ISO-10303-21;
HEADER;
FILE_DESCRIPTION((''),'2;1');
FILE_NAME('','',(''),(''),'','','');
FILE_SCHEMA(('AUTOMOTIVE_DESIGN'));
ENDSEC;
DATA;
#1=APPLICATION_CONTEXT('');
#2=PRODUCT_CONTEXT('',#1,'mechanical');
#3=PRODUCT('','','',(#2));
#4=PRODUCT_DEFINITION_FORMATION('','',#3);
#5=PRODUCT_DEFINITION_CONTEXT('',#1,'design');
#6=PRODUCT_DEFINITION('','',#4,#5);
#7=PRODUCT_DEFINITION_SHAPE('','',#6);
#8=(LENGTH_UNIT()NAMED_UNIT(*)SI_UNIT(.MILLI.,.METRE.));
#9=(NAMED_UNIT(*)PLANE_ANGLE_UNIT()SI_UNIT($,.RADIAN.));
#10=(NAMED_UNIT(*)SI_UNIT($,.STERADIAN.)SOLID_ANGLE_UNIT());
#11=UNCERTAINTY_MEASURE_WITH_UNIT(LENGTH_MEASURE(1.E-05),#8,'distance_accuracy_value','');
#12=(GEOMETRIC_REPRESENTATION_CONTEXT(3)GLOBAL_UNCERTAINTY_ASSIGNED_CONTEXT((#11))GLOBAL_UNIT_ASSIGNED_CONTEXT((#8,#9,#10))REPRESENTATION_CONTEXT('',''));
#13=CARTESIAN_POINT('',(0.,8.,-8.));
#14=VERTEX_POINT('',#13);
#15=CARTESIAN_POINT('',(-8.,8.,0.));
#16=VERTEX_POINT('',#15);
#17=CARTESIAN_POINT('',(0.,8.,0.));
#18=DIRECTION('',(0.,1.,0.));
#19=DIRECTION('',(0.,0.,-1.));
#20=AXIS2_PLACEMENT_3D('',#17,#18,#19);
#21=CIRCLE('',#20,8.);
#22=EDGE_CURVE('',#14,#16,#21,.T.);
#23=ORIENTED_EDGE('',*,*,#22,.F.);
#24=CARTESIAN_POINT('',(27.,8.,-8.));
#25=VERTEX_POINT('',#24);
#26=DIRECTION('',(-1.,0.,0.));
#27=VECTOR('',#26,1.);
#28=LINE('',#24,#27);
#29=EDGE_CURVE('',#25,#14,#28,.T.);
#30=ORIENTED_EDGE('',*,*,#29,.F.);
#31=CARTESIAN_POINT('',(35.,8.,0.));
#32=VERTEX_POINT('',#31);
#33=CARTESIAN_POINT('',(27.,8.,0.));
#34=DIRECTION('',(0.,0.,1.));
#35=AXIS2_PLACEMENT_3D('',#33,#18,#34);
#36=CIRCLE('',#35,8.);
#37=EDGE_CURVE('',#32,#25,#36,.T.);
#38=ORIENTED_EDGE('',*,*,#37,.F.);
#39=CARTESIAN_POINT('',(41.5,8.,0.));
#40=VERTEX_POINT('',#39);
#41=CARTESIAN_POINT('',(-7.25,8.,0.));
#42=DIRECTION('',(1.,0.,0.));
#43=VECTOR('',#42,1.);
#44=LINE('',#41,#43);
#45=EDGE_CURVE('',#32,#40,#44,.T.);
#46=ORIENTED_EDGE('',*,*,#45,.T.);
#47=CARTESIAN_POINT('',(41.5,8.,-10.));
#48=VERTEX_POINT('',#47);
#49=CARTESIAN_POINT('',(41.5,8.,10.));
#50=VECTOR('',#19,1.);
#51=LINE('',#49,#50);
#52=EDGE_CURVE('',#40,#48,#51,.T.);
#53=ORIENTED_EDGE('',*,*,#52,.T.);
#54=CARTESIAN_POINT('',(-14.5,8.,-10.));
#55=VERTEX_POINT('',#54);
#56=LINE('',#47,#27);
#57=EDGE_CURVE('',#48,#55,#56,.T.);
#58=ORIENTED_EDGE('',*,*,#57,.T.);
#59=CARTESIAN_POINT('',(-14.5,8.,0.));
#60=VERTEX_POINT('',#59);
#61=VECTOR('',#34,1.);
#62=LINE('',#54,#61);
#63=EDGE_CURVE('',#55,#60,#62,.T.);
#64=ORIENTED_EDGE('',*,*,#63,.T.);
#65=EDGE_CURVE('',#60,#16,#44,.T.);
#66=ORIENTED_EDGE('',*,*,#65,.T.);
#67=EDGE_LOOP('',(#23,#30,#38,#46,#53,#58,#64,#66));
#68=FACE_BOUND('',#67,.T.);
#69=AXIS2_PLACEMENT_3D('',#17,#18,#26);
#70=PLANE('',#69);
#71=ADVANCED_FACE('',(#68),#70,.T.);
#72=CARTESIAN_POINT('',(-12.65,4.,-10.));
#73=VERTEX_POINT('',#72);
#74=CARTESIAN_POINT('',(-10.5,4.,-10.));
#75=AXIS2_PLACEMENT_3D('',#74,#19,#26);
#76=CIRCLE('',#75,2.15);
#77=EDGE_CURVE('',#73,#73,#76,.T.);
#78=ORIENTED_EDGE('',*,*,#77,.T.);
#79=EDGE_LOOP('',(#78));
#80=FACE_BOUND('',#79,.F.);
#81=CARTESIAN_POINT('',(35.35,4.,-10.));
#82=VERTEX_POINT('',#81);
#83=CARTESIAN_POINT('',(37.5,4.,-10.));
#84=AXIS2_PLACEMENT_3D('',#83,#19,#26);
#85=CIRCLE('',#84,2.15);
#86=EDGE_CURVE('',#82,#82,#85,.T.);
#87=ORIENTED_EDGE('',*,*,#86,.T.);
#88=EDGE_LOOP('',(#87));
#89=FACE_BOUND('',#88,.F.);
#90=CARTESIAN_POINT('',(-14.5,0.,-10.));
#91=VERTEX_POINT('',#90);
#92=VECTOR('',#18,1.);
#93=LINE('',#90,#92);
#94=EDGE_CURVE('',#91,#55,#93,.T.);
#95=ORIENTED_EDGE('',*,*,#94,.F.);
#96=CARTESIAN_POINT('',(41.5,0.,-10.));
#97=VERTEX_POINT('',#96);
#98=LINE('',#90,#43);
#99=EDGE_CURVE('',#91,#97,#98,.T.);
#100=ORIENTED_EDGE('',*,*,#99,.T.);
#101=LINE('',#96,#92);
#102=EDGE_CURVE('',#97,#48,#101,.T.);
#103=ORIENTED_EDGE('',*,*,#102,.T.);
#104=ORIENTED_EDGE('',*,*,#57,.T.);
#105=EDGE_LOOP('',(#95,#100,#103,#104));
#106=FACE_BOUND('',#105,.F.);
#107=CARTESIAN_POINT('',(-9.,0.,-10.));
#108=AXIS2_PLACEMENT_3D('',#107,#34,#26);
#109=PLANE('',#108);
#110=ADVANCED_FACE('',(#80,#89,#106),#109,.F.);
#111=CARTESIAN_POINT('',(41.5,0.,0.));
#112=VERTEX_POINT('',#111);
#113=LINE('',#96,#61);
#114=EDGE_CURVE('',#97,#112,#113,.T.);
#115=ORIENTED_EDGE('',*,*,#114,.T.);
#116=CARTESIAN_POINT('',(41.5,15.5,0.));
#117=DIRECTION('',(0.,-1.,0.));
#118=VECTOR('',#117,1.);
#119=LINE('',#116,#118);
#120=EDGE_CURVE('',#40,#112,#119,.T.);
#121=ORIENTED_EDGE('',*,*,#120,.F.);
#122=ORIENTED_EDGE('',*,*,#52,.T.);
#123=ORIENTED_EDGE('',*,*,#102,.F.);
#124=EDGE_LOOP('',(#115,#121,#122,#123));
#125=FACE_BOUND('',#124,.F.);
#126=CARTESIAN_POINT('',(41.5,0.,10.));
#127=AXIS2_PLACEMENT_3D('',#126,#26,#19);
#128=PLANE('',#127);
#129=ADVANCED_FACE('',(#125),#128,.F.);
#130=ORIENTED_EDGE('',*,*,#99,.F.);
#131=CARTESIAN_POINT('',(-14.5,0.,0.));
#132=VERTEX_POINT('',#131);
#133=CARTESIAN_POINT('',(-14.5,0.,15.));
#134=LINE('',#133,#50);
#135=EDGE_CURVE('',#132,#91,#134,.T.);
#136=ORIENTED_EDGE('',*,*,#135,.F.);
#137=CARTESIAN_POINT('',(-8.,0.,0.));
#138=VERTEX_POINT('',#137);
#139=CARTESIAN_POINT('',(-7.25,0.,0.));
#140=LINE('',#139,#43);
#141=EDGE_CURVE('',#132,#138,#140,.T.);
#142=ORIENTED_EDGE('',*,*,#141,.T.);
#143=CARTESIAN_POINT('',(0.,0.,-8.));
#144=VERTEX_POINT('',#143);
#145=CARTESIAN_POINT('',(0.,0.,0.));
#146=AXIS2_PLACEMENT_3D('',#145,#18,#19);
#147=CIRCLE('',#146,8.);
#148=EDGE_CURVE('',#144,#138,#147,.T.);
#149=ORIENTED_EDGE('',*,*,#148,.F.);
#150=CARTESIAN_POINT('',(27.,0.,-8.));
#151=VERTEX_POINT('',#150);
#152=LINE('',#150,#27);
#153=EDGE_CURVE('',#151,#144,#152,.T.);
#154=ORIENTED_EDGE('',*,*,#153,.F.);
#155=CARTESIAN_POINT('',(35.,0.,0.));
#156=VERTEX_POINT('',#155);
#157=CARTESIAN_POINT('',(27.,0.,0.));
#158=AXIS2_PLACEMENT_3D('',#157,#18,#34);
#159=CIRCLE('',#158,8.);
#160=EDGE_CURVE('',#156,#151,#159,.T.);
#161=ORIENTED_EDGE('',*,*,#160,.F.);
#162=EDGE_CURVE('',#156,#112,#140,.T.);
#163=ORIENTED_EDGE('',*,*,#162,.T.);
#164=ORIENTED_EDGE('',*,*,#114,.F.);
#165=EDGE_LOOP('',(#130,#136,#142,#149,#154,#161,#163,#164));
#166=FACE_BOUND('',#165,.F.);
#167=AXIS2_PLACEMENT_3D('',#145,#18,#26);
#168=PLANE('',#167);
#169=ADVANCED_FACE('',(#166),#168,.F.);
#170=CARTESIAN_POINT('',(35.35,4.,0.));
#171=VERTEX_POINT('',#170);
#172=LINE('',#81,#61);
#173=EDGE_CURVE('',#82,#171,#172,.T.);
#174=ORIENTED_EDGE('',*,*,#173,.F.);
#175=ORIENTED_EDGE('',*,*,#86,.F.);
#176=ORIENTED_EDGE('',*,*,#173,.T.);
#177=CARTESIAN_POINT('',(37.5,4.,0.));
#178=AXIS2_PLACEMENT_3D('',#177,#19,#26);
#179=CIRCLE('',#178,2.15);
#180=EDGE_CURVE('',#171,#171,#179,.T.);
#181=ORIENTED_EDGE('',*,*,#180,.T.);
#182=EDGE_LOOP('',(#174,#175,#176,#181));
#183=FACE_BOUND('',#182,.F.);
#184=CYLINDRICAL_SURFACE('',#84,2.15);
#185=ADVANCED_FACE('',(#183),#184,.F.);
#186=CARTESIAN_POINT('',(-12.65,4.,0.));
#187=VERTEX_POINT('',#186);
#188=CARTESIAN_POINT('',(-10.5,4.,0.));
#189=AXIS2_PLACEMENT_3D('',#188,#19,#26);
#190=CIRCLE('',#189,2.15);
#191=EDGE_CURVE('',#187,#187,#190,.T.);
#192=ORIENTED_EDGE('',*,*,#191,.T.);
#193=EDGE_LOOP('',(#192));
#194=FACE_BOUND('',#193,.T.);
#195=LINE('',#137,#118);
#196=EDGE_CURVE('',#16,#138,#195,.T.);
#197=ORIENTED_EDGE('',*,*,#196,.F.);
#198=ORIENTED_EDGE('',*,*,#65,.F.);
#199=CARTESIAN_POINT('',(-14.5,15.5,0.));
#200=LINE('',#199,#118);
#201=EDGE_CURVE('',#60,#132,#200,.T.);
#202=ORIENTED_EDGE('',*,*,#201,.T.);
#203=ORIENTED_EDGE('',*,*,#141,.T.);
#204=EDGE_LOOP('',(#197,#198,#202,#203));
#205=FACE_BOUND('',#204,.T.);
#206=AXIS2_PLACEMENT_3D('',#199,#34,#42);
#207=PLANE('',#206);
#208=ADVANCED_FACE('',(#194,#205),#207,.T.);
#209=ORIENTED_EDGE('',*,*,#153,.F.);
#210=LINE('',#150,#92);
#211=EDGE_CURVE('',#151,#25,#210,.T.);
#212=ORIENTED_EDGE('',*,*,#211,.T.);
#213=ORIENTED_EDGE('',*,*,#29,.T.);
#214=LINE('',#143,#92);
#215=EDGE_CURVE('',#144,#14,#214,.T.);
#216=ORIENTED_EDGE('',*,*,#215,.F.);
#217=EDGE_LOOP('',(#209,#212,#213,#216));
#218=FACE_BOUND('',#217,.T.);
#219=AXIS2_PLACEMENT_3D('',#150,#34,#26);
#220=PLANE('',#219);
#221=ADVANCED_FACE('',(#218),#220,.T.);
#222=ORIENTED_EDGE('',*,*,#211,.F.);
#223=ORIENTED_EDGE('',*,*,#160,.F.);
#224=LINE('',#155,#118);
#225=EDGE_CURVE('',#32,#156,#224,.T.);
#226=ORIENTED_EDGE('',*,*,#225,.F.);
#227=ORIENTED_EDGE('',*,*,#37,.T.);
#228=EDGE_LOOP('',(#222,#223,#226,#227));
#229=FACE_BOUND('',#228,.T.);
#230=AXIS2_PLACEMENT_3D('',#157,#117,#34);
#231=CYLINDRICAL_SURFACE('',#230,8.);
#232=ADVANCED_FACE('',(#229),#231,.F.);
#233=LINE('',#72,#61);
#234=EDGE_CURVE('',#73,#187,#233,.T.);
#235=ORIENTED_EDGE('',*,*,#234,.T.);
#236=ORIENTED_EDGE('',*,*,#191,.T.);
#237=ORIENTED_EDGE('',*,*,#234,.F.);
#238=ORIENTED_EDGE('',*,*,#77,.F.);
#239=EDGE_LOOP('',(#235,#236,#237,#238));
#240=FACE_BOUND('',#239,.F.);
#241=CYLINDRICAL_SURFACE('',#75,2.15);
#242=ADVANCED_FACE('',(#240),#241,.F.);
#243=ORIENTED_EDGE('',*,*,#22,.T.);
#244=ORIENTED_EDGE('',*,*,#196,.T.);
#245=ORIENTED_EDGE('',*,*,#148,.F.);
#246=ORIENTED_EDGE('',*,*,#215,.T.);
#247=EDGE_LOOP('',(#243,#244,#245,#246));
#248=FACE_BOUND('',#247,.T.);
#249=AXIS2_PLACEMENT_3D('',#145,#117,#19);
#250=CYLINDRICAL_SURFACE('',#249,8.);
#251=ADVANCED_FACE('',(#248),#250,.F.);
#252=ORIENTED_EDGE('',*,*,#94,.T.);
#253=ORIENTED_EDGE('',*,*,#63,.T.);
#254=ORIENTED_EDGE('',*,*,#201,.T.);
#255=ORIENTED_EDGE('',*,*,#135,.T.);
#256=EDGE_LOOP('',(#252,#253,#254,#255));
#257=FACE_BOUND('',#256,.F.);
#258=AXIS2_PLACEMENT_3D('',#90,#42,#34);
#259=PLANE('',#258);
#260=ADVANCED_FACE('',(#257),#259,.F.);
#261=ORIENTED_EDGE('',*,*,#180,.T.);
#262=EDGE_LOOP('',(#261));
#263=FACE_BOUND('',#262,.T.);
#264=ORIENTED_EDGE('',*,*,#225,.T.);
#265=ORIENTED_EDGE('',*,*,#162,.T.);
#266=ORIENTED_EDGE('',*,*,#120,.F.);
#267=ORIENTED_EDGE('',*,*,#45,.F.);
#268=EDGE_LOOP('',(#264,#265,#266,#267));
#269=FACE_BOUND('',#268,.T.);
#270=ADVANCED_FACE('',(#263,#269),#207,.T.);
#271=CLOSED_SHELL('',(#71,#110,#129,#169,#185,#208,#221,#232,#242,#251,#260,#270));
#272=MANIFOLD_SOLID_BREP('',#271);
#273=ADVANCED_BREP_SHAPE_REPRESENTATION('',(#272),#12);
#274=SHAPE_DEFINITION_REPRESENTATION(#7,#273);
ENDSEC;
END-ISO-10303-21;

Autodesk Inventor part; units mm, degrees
ref_plane "YZ Plane" through (0, 0, 0) normal (1, 0, 0) x (0, 1, 0)
ref_plane "XZ Plane" through (0, 0, 0) normal (0, 1, 0) x (-1, 0, 0)
ref_plane "XY Plane" through (0, 0, 0) normal (0, 0, 1) x (1, 0, 0)
sketch "Sketch1" plane through (0, 0, 0) normal (0, 1, 0) x (-1, 0, 0)
  line L0 (0, 0) -> (-27, 0) construction
  line L1 (-27, -8) -> (0, -8)
  arc A0 (0, -8) -> (0, 8) centre (0, 0) ccw
  arc A1 (-27, 8) -> (-27, -8) centre (-27, 0) ccw
  line L2 (14.5, 10) -> (-41.5, 10)
  line L3 (-41.5, 10) -> (-41.5, -10)
  line L4 (-41.5, -10) -> (14.5, -10)
  line L5 (14.5, -10) -> (14.5, 10)
  line L6 (14.5, 10) -> (-41.5, -10) construction
  line L7 (-41.5, 10) -> (14.5, -10) construction
  line L8 (14.5, 10) -> (-41.5, 10)
  line L9 (-41.5, 10) -> (-41.5, 15)
  line L10 (-41.5, 15) -> (14.5, 15)
  line L11 (14.5, 15) -> (14.5, 10)
  arc A2 (0, -8) -> (-5.3358, 5.9607) centre (0, 0) ccw
  arc A3 (-21.6642, 5.9607) -> (-27, -8) centre (-27, 0) ccw
  line L12 (9, -10) -> (-36, -10)
  line L13 (-36, -10) -> (-36, 10) construction
  line L14 (-36, 10) -> (9, 10)
  line L15 (9, 10) -> (9, -10) construction
  line L16 (9, -10) -> (-36, 10) construction
  line L17 (-36, -10) -> (9, 10) construction
  line L18 (9, 10) -> (-6, 10)
  line L19 (-6, 10) -> (-6, 5.9607)
  line L20 (-36, 10) -> (-21, 10)
  line L21 (-21, 10) -> (-21, 5.9607)
  line L22 (-5.3358, 5.9607) -> (-21.6642, 5.9607) construction
  line L23 (-21, 5.9607) -> (-21.6642, 5.9607)
  line L24 (-6, 5.9607) -> (-5.3358, 5.9607)
  point P0 (-13.5, 0)
  point P1 (-27, 8)
  point P2 (0, 8)
  dimension "d0" = 27
  dimension "d1" = 16
  dimension "d2" = 56
  dimension "d3" = 20
  dimension "d4" = 5
  dimension "d5" = 45
  dimension "d6" = 15
  dimension "d7" = 15
extrude "Extrusion1" add sketch "Sketch1" along normal blind 8 contours L1 A0 A2 L24 L19 L2 L5 L4 L3 L21 L23 A3 A1
extrude "Extrusion2" add sketch "Sketch1" along normal blind 15.5 contours L2 L9 L10 L11
sketch "Sketch2" plane through (21, 0, 10) normal (0, 0, -1) x (-1, 0, 0)
  line L0 (35.5, 8) -> (15, 8) projected
  line L1 (-20.5, 8) -> (-20.5, 15.5) projected
  line L2 (35.5, 8) -> (-20.5, 8)
  line L3 (-20.5, 8) -> (-20.5, 15.5)
  line L4 (-20.5, 15.5) -> (35.5, 15.5)
  line L5 (35.5, 15.5) -> (35.5, 8)
  line L6 (31, 8) -> (-16, 8)
  line L7 (-16, 8) -> (-16, 12.5)
  line L8 (-16, 12.5) -> (31, 12.5)
  line L9 (31, 12.5) -> (31, 8)
  line L10 (-20.5, 8) -> (35.5, 8) projected
  point P0 (21, 0)
  point P1 (7.5, 8)
  dimension "d12" = 47
  dimension "d13" = 4.5
extrude "Extrusion3" add sketch "Sketch2" along normal blind 3 contours L0 L9 L8 L7 L2 L1 L4 L5
sketch "Sketch3" plane through (41.5, 0, -10) normal (0, 0, -1) x (-1, 0, 0)
  circle A0 centre (52, 4) radius 2.15
  line L0 (56, 0) -> (56, 8) projected
  line L1 (0, 0) -> (56, 0) projected
  circle A1 centre (4, 4) radius 2.15
  line L2 (0, 0) -> (0, 8) projected
  point P0 (41.5, 0)
  dimension "d16" = 4.3
  dimension "d17" = 4
  dimension "d18" = 4
  dimension "d19" = 4.3
  dimension "d20" = 4
  dimension "d21" = 4
extrude "Extrusion4" cut sketch "Sketch3" against normal blind 32
sketch "Sketch4" plane through (-14.5, 0, 15) normal (0, 0, 1) x (1, 0, 0)
  circle A0 centre (4, 12) radius 1.95
  circle A1 centre (4, 4) radius 2.15 projected
  line L0 (0, 0) -> (0, 15.5) projected
  circle A2 centre (52, 12) radius 1.95
  circle A3 centre (52, 4) radius 2.15 projected
  line L1 (56, 0) -> (56, 15.5) projected
  line L2 (0, 15.5) -> (56, 15.5) projected
  point P0 (14.5, 0)
  dimension "d24" = 3.9
  dimension "d25" = 8
  dimension "d26" = 4
  dimension "d27" = 3.9
  dimension "d28" = 8
  dimension "d29" = 4
  dimension "d30" = 3.5
  dimension "d31" = 3.5
extrude "Extrusion5" add sketch "Sketch4" along normal blind 2 contours A0 | A2
sketch "Sketch5" plane through (0, 15.5, 0) normal (0, 1, 0) x (1, 0, 0)
  line L0 (-14.5, 10) -> (-14.5, -7) projected
  line L1 (-14.5, 0) -> (41.5, 0)
  line L2 (41.5, 0) -> (41.5, -17)
  line L3 (41.5, -17) -> (-14.5, -17)
  line L4 (-14.5, -17) -> (-14.5, 0)
  point P0 (0, 0)
  dimension "d34" = 17
extrude "Extrusion6" cut sketch "Sketch5" against normal blind 27
properties part number "Ultrasonic_sensor_frame_Top"
